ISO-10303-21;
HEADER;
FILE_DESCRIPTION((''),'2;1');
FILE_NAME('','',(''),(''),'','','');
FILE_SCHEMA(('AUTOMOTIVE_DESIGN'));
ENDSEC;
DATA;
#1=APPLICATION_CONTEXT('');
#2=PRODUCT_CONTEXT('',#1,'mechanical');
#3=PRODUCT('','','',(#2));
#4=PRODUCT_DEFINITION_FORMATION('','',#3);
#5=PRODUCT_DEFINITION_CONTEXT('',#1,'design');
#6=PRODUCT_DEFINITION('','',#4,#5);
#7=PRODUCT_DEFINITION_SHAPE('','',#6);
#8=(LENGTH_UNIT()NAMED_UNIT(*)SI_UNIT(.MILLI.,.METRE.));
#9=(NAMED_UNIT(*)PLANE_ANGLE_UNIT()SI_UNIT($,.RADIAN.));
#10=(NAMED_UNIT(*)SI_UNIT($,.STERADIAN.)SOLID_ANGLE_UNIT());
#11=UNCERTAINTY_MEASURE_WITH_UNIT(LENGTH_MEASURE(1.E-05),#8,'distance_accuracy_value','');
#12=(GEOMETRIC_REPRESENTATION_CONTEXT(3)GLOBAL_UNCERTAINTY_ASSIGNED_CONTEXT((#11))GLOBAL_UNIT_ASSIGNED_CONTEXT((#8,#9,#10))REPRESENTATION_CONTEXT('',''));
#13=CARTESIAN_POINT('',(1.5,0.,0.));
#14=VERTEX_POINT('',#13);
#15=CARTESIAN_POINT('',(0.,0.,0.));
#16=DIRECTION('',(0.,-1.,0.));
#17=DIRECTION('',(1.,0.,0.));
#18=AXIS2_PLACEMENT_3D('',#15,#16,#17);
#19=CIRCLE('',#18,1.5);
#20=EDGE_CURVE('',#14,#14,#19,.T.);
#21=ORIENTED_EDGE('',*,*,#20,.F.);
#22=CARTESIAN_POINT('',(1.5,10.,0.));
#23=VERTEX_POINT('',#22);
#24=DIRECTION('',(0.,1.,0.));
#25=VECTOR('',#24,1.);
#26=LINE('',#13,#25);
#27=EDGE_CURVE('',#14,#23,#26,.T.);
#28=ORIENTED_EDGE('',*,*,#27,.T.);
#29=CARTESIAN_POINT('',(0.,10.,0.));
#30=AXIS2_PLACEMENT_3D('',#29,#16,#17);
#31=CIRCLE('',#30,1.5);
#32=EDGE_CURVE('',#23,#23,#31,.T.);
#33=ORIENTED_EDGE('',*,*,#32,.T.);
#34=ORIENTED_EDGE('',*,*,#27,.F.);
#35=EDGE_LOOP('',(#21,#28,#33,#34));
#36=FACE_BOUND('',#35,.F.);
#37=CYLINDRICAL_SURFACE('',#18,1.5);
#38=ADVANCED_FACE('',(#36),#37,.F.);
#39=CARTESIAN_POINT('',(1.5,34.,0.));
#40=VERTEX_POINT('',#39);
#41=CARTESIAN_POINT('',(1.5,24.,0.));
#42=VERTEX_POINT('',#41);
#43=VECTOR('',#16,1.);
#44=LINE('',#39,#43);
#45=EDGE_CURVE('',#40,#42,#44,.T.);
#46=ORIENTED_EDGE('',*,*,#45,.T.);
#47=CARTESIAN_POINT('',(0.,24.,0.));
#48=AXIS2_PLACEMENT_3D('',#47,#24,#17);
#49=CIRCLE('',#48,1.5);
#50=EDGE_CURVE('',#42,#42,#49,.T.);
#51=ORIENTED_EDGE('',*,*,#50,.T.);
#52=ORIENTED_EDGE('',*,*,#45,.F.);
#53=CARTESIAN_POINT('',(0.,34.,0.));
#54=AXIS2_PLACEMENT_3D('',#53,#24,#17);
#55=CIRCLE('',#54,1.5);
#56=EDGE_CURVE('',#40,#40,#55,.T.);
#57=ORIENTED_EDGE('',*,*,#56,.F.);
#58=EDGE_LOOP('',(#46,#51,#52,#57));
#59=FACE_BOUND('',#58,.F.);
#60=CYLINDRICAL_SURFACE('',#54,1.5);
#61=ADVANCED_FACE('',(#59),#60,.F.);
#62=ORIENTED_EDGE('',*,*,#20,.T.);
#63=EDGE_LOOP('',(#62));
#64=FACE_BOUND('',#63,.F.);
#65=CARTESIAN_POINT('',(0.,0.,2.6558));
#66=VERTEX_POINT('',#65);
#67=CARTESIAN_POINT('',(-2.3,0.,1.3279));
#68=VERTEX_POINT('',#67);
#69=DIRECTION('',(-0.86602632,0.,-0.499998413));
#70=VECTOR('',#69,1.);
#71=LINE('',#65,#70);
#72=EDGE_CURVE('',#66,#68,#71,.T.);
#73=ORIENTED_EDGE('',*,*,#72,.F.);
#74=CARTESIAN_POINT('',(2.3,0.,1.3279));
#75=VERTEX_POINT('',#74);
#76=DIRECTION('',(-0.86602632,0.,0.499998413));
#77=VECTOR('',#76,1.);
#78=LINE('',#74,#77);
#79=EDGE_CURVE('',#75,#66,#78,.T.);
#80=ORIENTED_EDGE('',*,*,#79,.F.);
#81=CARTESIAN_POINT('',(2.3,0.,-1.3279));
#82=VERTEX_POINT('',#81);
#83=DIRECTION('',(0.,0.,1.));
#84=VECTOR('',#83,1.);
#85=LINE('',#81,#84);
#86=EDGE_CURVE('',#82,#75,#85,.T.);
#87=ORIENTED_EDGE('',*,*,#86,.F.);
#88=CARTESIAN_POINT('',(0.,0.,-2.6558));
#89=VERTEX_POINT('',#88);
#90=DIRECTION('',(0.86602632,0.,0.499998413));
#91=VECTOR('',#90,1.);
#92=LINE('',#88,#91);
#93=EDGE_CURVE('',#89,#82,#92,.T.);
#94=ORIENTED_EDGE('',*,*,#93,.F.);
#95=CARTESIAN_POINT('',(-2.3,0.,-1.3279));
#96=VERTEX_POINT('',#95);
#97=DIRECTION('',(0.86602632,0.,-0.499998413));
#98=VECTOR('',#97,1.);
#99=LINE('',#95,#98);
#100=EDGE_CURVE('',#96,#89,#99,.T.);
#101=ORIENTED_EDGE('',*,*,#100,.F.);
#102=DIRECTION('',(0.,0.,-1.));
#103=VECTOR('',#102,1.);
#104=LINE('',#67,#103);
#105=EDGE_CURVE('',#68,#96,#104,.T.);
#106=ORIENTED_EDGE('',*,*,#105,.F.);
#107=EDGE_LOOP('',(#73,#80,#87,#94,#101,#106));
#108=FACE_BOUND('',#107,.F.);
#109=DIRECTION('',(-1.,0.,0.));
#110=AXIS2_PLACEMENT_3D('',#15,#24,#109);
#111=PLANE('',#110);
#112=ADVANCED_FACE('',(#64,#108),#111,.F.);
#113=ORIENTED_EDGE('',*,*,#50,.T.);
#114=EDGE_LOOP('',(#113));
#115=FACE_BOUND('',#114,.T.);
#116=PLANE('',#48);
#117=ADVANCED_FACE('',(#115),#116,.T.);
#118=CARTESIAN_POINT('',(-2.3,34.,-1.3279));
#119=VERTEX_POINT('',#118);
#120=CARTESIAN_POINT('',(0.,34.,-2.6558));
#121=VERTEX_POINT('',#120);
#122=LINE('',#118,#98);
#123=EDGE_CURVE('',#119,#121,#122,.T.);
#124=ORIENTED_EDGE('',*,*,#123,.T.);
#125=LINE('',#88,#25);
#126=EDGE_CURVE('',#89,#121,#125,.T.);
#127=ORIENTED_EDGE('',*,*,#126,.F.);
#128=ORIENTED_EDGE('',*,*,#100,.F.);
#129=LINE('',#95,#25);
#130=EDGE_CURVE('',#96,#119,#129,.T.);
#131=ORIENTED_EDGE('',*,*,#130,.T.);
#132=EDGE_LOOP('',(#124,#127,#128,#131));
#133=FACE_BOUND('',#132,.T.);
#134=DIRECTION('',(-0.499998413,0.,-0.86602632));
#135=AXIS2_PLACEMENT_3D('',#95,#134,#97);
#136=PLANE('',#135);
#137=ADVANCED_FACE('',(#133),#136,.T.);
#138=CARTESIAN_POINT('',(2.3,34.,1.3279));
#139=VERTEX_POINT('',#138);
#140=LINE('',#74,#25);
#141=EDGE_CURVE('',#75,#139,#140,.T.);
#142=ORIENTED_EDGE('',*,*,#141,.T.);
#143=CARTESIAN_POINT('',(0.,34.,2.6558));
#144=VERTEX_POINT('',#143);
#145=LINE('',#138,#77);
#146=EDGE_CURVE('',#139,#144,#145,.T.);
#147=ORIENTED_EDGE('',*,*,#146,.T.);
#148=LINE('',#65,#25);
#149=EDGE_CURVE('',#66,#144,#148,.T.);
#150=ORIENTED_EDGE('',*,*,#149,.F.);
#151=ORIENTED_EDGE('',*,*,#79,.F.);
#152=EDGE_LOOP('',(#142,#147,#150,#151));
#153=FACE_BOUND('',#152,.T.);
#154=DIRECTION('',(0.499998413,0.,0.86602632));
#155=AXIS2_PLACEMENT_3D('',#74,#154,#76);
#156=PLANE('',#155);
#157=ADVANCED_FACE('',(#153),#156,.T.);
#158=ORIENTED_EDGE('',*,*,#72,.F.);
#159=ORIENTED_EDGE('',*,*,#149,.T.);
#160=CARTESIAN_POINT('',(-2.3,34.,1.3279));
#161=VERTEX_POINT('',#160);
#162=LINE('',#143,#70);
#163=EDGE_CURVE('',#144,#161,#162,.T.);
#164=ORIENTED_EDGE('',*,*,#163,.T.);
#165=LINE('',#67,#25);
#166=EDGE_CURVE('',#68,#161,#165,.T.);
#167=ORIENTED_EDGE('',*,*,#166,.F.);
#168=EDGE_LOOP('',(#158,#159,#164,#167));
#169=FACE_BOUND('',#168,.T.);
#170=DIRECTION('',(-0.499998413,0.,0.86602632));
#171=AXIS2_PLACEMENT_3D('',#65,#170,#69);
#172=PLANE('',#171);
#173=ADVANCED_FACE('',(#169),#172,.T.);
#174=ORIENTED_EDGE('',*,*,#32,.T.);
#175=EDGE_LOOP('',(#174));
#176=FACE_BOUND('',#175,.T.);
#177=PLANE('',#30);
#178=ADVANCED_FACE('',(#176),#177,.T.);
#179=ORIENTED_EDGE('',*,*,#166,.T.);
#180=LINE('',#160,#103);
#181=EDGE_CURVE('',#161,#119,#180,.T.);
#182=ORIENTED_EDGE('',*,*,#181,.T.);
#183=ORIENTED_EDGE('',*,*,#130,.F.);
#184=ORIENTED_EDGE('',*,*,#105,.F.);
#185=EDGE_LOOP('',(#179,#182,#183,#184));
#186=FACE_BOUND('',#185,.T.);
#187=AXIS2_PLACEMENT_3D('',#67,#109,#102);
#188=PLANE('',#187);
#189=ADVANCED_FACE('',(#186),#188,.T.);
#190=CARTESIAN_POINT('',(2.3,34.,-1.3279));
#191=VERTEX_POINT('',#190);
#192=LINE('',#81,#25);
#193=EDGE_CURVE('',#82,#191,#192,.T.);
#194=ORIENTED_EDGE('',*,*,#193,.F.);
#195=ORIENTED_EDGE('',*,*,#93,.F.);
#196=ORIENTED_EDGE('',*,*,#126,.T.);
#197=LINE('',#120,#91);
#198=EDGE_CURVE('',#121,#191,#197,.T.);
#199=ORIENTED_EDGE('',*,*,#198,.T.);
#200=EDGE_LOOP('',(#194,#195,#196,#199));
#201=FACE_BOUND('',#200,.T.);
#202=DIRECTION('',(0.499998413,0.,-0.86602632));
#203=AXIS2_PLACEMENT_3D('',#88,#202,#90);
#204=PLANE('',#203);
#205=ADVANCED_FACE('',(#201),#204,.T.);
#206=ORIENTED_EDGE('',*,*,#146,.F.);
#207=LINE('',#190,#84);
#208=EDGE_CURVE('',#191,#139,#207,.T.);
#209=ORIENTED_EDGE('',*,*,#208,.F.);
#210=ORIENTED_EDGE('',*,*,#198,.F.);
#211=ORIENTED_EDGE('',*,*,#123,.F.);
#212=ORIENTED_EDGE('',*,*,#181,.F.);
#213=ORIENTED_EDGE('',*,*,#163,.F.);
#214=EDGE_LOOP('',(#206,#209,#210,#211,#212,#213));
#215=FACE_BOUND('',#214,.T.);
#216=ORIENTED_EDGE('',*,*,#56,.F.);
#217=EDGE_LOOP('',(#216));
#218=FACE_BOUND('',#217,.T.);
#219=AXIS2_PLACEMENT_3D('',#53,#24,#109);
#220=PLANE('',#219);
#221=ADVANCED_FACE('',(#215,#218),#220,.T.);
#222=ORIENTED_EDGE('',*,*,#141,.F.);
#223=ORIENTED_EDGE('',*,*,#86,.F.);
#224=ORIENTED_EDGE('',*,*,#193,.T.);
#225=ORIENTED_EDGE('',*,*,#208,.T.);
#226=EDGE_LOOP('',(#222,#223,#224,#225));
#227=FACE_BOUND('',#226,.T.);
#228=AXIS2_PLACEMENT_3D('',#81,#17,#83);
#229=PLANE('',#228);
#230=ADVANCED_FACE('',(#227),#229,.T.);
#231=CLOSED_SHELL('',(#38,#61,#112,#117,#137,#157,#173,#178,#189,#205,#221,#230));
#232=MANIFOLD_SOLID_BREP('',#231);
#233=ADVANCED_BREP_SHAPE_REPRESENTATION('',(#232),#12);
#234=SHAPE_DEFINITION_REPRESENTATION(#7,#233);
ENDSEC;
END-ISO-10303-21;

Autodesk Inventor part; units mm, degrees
ref_plane "YZ Plane" through (0, 0, 0) normal (1, 0, 0) x (0, 1, 0)
ref_plane "XZ Plane" through (0, 0, 0) normal (0, 1, 0) x (-1, 0, 0)
ref_plane "XY Plane" through (0, 0, 0) normal (0, 0, 1) x (1, 0, 0)
sketch "Sketch1" plane through (0, 0, 0) normal (0, 1, 0) x (-1, 0, 0)
  line L0 (0, -2.6558) -> (-2.3, -1.3279)
  line L1 (-2.3, -1.3279) -> (-2.3, 1.3279)
  line L2 (-2.3, 1.3279) -> (0, 2.6558)
  line L3 (0, 2.6558) -> (2.3, 1.3279)
  line L4 (2.3, 1.3279) -> (2.3, -1.3279)
  line L5 (2.3, -1.3279) -> (0, -2.6558)
  point P0 (0, 0)
  point P1 (0, 0)
  dimension "d0" = 4.6
extrude "Extrusion1" add sketch "Sketch1" along normal blind 34
sketch "Sketch2" plane through (0, 34, 0) normal (0, 1, 0) x (1, 0, 0)
  circle A0 centre (0, 0) radius 1.5
  dimension "d3" = 3
extrude "Extrusion2" cut sketch "Sketch2" against normal blind 10
sketch "Sketch3" plane through (0, 0, 0) normal (0, -1, 0) x (1, 0, 0)
  circle A0 centre (0, 0) radius 1.5
  dimension "d6" = 3
extrude "Extrusion3" cut sketch "Sketch3" against normal blind 10
properties part number "M3_34_MM_STANDOFF_PIN"
